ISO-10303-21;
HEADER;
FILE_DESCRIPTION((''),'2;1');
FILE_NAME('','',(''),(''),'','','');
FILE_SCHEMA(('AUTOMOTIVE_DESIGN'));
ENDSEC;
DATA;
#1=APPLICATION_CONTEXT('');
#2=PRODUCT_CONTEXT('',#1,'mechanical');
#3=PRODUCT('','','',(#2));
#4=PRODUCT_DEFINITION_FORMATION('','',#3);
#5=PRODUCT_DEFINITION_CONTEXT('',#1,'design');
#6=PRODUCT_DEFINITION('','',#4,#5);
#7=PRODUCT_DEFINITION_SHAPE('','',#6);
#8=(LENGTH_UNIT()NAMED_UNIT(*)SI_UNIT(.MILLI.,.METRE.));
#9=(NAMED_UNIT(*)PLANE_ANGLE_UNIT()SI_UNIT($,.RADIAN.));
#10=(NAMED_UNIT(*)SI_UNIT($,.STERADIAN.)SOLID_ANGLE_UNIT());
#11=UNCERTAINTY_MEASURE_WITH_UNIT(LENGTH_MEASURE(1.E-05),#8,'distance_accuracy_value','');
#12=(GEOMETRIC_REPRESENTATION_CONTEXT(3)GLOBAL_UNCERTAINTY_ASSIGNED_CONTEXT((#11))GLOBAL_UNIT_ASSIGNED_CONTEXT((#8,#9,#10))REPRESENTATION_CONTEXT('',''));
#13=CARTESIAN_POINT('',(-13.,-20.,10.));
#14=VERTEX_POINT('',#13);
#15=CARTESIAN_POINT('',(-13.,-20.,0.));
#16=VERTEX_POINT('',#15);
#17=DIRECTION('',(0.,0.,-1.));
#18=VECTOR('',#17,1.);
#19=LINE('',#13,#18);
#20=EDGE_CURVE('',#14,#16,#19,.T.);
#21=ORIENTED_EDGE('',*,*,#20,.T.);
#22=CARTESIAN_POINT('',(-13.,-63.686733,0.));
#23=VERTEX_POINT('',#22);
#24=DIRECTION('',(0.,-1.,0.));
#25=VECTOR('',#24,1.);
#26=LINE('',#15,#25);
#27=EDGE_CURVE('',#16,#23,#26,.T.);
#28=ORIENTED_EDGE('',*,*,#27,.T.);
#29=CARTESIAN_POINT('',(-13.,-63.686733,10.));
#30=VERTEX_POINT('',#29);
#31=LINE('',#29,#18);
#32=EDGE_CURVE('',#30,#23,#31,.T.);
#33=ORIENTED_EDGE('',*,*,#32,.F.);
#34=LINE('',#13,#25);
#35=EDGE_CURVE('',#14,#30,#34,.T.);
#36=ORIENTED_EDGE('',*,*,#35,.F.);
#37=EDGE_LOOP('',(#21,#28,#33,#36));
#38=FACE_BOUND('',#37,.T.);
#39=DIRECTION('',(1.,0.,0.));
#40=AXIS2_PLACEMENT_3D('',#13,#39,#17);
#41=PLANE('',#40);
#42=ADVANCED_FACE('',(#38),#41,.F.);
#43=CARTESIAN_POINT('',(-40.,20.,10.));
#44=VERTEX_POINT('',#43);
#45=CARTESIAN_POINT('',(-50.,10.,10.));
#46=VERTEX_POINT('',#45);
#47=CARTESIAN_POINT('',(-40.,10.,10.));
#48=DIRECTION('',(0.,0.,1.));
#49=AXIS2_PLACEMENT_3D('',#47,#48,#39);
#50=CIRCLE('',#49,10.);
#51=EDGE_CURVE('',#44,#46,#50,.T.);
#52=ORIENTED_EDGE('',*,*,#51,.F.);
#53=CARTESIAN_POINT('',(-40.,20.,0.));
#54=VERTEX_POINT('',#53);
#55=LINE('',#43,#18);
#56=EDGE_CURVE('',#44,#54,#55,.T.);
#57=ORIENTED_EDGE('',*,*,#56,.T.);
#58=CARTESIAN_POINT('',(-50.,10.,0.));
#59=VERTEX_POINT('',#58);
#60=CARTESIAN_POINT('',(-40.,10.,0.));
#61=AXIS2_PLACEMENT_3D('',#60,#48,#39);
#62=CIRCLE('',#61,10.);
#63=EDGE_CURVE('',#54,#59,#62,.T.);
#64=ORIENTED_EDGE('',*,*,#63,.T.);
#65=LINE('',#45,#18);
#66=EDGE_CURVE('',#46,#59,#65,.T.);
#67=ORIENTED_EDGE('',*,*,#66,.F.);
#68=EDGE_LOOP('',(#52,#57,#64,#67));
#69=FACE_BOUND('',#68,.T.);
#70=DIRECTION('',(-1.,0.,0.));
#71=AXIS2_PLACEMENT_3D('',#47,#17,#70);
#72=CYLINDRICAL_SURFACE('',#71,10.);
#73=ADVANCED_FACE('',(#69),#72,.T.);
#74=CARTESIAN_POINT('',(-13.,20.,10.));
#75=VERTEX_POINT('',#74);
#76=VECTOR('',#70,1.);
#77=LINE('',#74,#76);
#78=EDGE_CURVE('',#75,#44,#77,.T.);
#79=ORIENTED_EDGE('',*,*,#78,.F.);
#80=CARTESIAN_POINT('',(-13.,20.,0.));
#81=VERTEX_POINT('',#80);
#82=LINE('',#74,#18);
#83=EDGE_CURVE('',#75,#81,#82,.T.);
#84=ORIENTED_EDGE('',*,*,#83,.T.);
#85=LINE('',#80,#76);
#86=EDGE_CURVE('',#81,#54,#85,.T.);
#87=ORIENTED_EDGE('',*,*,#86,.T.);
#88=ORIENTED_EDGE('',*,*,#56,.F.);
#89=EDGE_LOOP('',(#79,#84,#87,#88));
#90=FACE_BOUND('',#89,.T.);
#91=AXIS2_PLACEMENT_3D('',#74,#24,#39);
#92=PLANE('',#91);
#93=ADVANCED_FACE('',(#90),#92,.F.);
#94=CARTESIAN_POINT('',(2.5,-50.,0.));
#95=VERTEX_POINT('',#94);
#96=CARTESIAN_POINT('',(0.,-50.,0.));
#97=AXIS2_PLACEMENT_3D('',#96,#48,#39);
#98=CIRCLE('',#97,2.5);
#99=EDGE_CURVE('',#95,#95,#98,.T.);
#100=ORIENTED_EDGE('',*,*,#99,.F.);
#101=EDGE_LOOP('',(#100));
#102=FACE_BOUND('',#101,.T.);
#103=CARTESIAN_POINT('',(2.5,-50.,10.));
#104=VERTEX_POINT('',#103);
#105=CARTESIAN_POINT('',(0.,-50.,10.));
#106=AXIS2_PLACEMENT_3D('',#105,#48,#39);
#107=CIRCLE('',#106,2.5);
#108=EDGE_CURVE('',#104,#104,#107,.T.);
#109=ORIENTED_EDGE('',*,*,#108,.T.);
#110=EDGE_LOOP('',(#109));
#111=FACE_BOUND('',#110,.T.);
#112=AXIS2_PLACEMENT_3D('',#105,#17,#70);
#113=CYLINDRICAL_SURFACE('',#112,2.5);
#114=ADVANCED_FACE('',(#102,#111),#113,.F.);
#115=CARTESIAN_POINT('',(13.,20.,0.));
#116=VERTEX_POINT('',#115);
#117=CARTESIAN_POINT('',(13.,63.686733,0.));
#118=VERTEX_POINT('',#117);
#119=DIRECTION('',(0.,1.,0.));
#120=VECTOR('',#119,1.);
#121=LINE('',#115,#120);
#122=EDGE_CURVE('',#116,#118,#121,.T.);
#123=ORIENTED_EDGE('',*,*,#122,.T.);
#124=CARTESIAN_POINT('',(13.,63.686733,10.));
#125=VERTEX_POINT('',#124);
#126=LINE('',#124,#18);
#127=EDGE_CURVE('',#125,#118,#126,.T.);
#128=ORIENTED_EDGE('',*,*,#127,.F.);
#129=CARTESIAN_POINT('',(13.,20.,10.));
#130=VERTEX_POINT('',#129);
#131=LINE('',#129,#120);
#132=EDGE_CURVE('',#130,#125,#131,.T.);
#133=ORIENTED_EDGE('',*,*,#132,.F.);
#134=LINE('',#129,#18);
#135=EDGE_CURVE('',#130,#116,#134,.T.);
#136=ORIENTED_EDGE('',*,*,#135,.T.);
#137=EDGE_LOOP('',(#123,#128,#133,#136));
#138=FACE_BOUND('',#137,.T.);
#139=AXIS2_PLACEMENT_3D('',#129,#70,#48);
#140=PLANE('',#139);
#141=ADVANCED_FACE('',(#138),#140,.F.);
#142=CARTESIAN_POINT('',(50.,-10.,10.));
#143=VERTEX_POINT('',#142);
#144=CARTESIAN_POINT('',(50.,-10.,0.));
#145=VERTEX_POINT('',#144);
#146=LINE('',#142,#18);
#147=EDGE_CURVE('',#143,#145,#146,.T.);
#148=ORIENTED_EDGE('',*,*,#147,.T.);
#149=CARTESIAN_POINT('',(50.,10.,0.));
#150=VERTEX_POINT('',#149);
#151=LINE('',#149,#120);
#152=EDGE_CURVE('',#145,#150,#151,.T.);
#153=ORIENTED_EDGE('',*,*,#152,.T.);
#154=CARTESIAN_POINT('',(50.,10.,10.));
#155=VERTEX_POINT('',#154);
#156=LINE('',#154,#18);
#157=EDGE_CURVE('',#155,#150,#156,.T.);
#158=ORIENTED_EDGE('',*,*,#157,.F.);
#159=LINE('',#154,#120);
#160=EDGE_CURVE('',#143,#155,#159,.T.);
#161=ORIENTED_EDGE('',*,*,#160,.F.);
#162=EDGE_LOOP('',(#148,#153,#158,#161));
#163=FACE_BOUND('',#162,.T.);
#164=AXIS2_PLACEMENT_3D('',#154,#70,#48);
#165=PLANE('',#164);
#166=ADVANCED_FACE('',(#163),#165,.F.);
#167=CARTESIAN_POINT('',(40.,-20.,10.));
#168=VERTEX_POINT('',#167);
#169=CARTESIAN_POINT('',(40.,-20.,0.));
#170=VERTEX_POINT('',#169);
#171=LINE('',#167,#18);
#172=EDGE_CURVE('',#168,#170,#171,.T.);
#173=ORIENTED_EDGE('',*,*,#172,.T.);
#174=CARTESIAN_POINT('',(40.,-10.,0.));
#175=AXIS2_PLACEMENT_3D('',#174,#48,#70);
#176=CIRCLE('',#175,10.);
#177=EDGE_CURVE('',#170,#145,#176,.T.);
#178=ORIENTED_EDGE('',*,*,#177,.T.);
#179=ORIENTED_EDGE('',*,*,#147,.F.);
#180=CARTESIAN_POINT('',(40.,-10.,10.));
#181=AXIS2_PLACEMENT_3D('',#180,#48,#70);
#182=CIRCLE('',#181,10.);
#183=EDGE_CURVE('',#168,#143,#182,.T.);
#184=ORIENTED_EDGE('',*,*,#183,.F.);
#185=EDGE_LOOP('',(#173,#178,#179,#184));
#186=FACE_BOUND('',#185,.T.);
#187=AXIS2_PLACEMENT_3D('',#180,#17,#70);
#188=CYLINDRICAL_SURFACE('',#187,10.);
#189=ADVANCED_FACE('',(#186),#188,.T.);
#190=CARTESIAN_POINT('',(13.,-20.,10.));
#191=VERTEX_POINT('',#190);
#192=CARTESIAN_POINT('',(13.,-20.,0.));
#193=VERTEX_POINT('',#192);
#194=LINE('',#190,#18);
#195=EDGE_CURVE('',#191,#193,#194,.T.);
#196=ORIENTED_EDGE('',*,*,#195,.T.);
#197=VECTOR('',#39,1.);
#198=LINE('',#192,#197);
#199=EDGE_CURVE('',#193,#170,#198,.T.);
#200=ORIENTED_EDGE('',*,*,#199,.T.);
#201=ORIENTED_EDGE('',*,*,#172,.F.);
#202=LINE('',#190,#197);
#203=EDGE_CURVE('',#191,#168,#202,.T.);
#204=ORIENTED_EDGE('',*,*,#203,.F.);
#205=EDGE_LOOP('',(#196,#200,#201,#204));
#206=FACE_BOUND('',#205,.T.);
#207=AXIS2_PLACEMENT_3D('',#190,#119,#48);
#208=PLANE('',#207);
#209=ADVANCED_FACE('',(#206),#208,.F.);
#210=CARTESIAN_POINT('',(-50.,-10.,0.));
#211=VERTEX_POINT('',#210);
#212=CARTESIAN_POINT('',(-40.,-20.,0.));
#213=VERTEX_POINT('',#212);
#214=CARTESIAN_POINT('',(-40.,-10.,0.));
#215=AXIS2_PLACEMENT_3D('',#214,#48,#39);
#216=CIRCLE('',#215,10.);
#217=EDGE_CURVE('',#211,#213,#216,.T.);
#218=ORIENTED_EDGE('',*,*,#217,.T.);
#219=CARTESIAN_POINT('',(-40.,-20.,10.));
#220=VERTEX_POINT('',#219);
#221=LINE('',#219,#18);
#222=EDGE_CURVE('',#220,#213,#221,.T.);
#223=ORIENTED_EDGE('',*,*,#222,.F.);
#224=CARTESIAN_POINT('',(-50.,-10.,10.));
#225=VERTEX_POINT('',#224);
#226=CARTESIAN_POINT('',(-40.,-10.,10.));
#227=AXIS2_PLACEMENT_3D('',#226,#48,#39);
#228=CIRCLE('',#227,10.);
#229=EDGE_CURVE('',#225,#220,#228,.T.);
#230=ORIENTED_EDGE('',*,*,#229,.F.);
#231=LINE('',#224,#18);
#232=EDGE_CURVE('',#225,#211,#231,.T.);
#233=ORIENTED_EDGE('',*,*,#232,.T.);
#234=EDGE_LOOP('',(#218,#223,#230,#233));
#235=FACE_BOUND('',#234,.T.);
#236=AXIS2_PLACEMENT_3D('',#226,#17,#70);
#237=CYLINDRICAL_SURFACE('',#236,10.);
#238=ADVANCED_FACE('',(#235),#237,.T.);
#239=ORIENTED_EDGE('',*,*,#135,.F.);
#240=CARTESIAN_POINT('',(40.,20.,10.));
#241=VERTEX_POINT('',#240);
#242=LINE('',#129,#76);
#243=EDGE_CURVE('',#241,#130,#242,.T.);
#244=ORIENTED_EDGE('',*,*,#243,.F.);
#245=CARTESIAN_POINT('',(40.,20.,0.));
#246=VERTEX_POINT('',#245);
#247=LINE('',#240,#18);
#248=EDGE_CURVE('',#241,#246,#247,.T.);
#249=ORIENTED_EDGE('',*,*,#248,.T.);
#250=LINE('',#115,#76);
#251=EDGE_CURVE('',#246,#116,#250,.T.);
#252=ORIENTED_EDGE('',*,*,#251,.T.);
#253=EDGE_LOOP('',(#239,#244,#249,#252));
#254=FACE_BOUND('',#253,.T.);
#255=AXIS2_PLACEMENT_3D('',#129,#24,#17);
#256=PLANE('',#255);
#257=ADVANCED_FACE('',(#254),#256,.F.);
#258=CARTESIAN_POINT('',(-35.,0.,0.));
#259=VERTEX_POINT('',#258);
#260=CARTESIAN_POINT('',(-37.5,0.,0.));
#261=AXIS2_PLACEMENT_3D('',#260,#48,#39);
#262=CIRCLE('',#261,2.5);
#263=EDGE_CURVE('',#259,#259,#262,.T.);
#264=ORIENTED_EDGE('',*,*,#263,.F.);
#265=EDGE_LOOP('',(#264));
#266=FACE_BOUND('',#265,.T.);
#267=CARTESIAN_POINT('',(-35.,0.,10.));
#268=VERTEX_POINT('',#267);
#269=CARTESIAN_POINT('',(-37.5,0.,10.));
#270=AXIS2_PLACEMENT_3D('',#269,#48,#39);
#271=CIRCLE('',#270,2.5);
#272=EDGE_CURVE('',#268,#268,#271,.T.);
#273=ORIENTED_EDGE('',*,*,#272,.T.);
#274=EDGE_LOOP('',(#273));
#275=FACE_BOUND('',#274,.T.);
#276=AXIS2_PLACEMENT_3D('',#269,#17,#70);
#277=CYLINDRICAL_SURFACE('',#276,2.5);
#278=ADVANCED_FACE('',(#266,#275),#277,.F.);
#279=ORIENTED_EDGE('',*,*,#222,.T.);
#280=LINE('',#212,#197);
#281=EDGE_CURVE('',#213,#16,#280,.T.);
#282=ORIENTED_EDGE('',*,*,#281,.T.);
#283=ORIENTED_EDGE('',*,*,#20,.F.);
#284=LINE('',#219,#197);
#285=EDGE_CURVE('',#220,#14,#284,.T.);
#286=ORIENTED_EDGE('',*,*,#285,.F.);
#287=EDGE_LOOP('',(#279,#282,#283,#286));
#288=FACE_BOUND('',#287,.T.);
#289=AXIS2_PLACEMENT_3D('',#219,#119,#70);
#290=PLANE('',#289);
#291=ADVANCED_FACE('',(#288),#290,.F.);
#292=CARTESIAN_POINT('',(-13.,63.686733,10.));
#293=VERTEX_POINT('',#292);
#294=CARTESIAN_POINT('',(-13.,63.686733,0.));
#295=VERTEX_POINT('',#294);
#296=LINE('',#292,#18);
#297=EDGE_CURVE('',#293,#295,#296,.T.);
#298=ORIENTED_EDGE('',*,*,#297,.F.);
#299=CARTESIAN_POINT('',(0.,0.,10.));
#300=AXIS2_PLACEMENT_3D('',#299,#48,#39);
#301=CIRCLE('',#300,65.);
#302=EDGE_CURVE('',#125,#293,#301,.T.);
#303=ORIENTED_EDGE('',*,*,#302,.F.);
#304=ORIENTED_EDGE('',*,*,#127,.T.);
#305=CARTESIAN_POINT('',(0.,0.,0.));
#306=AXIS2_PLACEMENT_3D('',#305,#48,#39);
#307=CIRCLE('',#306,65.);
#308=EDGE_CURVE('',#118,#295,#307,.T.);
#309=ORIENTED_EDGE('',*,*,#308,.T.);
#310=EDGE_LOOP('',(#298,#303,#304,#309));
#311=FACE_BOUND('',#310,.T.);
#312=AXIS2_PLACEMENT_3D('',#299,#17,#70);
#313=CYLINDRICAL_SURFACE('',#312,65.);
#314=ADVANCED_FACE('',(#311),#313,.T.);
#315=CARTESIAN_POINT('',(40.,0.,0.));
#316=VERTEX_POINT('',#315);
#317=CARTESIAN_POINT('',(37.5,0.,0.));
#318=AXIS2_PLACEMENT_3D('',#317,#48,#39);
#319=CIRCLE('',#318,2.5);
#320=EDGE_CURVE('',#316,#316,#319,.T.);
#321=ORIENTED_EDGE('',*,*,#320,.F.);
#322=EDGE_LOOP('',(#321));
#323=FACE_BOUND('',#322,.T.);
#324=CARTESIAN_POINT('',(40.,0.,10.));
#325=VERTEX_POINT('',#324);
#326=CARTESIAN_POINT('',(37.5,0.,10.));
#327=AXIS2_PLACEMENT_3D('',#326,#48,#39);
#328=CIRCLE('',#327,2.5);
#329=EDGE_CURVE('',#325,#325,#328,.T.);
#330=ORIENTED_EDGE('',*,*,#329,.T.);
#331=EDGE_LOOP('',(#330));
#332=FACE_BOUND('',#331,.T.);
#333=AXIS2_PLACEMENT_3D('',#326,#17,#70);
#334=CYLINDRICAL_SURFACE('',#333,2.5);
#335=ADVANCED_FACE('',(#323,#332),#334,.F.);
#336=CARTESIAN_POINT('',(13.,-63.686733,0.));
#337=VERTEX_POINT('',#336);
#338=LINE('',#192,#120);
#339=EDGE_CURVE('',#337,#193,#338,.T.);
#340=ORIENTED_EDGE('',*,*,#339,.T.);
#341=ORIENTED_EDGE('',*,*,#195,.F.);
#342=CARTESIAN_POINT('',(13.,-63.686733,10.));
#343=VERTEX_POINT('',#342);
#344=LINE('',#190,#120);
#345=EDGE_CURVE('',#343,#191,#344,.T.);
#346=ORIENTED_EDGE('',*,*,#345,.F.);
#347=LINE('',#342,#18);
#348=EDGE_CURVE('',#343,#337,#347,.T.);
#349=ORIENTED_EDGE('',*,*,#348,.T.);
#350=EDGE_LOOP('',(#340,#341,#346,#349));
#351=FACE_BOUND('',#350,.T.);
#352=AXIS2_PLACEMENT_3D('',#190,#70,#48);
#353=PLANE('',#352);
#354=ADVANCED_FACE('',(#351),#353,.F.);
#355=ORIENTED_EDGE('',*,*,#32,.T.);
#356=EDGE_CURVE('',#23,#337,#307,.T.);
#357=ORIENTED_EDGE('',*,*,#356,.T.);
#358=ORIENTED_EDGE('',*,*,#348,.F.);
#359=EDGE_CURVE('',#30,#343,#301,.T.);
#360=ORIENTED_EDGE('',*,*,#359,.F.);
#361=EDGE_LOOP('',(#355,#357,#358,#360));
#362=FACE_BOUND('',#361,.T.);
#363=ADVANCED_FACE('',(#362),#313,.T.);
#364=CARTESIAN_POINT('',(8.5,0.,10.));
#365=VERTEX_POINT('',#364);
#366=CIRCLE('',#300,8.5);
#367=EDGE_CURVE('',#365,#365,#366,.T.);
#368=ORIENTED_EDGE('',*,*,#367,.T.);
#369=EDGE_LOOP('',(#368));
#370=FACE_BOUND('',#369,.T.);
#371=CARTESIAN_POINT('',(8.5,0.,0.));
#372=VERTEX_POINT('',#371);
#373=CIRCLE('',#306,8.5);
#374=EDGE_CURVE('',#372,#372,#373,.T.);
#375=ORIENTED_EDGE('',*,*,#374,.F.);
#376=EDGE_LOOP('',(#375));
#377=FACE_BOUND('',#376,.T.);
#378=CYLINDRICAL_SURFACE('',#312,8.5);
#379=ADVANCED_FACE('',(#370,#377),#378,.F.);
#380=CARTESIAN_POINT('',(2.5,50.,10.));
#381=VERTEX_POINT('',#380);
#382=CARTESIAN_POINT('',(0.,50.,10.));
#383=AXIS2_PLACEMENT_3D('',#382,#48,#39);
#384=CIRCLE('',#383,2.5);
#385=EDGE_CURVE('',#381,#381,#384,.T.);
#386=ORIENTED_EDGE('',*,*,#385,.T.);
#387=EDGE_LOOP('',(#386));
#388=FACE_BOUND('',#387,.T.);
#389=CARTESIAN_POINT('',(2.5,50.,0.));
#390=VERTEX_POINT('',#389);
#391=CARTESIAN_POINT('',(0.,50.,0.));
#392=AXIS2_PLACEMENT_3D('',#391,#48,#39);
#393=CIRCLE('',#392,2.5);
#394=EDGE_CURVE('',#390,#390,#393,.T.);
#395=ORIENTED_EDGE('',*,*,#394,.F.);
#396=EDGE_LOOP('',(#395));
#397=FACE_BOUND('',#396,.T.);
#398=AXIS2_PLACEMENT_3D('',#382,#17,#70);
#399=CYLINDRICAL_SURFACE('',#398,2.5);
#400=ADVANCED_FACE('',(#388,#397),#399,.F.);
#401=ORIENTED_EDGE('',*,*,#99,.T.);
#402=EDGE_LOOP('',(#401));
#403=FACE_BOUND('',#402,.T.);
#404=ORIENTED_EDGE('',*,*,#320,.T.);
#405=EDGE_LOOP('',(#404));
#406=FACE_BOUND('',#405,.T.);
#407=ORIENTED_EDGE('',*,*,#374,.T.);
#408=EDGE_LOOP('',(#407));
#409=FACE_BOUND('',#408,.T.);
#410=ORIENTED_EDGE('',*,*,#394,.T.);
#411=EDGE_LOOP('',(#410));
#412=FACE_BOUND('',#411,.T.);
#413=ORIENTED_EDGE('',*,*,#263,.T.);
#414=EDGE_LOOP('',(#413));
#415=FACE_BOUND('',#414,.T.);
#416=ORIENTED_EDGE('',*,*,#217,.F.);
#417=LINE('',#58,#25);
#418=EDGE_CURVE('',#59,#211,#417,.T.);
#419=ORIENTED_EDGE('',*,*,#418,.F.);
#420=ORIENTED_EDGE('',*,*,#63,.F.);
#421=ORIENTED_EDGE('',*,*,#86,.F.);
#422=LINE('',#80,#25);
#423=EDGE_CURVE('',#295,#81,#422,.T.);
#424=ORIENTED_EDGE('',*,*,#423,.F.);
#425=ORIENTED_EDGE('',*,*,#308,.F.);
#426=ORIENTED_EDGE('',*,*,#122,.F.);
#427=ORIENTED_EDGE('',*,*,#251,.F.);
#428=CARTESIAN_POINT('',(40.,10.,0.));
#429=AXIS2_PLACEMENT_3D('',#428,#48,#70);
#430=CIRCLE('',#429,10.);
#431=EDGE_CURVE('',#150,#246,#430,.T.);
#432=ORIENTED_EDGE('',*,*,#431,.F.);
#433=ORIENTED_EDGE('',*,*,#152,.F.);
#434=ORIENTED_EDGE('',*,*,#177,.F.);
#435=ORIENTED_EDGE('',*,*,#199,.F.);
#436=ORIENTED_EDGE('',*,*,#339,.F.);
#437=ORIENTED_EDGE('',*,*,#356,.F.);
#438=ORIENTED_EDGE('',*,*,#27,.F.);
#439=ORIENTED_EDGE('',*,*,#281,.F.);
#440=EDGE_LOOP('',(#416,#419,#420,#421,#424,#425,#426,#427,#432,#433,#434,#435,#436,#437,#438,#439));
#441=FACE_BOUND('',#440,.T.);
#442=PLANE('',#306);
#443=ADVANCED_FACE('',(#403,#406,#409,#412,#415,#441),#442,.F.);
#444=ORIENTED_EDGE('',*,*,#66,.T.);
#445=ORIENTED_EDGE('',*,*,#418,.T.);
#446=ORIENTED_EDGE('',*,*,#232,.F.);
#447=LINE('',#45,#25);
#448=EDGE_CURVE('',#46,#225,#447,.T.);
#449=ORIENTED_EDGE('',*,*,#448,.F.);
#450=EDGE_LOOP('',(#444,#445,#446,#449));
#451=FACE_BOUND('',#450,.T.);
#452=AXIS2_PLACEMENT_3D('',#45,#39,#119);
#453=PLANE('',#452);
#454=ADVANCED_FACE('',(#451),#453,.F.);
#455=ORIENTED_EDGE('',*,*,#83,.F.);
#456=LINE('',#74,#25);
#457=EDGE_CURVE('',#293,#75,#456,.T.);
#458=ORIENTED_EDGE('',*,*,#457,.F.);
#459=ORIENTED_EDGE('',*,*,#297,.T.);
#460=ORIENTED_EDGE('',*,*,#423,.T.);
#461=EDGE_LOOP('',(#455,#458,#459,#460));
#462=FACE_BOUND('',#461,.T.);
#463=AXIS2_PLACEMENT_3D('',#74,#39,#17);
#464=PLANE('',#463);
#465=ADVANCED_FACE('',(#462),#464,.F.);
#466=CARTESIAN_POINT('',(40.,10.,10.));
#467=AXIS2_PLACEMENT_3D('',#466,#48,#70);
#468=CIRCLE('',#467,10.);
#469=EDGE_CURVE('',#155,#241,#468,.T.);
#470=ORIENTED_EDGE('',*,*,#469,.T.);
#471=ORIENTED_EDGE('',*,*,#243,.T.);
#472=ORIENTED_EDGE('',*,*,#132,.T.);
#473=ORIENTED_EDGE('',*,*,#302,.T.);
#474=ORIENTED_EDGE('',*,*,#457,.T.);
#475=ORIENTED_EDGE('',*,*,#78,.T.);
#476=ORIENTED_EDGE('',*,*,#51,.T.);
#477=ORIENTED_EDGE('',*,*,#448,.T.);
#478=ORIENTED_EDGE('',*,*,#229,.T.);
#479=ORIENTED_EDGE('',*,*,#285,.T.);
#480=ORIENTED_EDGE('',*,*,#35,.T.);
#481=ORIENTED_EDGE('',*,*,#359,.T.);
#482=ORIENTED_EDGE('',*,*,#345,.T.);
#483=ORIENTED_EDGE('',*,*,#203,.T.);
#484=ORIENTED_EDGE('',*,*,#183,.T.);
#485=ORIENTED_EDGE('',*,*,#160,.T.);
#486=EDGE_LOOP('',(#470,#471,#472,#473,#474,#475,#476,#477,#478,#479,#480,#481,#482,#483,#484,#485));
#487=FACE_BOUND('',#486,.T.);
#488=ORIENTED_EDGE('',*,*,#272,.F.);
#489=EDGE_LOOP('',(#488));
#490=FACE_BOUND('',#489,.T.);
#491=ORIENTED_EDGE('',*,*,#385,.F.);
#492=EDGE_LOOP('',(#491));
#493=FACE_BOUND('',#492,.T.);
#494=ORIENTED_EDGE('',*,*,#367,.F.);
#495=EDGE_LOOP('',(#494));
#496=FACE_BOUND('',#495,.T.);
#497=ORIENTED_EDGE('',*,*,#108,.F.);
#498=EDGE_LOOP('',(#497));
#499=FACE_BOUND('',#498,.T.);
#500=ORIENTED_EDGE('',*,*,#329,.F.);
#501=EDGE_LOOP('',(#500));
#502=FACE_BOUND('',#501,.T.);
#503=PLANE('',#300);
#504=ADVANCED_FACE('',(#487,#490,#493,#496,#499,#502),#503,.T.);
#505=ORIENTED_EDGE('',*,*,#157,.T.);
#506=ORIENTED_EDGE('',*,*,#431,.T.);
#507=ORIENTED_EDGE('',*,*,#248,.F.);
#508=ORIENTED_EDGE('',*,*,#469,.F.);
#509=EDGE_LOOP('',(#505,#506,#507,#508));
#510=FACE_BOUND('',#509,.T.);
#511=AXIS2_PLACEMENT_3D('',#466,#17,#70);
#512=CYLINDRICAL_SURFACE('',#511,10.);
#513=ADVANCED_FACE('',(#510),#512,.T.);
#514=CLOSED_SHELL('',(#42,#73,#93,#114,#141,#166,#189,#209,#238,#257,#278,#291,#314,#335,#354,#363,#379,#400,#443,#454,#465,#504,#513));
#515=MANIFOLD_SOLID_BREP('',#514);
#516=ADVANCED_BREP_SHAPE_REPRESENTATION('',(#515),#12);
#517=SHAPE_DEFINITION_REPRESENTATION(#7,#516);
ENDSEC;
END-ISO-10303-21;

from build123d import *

# Parameters (mm, degrees)
SKETCH1_R           = 2.5
SKETCH1_R_2         = 8.5
BOSS_EXTRUDE1_DEPTH = 10


with BuildPart() as part:
    # Sketch1 → Boss-Extrude1 (new body)
    with BuildSketch(Plane.XY):
        with BuildLine():
            Line((-13, 20), (-40, 20))
            ThreePointArc((-40, 20), (-47.071067812, 17.071067812), (-50, 10))
            Line((-50, 10), (-50, -10))
            ThreePointArc((-50, -10), (-47.071067812, -17.071067812), (-40, -20))
            Line((-40, -20), (-13, -20))
            Line((-13, -20), (-13, -63.686733312))
            ThreePointArc((-13, -63.686733312), (0, -65), (13, -63.686733312))
            Line((13, -63.686733312), (13, -20))
            Line((13, -20), (40, -20))
            ThreePointArc((40, -20), (47.071067812, -17.071067812), (50, -10))
            Line((50, -10), (50, 10))
            ThreePointArc((50, 10), (47.071067812, 17.071067812), (40, 20))
            Line((40, 20), (13, 20))
            Line((13, 20), (13, 63.686733312))
            ThreePointArc((13, 63.686733312), (0, 65), (-13, 63.686733312))
            Line((-13, 63.686733312), (-13, 20))
        make_face()
        with Locations((-37.5, 0)):
            Circle(SKETCH1_R, mode=Mode.SUBTRACT)
        with Locations((0, -50)):
            Circle(SKETCH1_R, mode=Mode.SUBTRACT)
        with Locations((37.5, 0)):
            Circle(SKETCH1_R, mode=Mode.SUBTRACT)
        with Locations((0, 50)):
            Circle(SKETCH1_R, mode=Mode.SUBTRACT)
        Circle(SKETCH1_R_2, mode=Mode.SUBTRACT)
    extrude(amount=BOSS_EXTRUDE1_DEPTH)


solid = part.part
